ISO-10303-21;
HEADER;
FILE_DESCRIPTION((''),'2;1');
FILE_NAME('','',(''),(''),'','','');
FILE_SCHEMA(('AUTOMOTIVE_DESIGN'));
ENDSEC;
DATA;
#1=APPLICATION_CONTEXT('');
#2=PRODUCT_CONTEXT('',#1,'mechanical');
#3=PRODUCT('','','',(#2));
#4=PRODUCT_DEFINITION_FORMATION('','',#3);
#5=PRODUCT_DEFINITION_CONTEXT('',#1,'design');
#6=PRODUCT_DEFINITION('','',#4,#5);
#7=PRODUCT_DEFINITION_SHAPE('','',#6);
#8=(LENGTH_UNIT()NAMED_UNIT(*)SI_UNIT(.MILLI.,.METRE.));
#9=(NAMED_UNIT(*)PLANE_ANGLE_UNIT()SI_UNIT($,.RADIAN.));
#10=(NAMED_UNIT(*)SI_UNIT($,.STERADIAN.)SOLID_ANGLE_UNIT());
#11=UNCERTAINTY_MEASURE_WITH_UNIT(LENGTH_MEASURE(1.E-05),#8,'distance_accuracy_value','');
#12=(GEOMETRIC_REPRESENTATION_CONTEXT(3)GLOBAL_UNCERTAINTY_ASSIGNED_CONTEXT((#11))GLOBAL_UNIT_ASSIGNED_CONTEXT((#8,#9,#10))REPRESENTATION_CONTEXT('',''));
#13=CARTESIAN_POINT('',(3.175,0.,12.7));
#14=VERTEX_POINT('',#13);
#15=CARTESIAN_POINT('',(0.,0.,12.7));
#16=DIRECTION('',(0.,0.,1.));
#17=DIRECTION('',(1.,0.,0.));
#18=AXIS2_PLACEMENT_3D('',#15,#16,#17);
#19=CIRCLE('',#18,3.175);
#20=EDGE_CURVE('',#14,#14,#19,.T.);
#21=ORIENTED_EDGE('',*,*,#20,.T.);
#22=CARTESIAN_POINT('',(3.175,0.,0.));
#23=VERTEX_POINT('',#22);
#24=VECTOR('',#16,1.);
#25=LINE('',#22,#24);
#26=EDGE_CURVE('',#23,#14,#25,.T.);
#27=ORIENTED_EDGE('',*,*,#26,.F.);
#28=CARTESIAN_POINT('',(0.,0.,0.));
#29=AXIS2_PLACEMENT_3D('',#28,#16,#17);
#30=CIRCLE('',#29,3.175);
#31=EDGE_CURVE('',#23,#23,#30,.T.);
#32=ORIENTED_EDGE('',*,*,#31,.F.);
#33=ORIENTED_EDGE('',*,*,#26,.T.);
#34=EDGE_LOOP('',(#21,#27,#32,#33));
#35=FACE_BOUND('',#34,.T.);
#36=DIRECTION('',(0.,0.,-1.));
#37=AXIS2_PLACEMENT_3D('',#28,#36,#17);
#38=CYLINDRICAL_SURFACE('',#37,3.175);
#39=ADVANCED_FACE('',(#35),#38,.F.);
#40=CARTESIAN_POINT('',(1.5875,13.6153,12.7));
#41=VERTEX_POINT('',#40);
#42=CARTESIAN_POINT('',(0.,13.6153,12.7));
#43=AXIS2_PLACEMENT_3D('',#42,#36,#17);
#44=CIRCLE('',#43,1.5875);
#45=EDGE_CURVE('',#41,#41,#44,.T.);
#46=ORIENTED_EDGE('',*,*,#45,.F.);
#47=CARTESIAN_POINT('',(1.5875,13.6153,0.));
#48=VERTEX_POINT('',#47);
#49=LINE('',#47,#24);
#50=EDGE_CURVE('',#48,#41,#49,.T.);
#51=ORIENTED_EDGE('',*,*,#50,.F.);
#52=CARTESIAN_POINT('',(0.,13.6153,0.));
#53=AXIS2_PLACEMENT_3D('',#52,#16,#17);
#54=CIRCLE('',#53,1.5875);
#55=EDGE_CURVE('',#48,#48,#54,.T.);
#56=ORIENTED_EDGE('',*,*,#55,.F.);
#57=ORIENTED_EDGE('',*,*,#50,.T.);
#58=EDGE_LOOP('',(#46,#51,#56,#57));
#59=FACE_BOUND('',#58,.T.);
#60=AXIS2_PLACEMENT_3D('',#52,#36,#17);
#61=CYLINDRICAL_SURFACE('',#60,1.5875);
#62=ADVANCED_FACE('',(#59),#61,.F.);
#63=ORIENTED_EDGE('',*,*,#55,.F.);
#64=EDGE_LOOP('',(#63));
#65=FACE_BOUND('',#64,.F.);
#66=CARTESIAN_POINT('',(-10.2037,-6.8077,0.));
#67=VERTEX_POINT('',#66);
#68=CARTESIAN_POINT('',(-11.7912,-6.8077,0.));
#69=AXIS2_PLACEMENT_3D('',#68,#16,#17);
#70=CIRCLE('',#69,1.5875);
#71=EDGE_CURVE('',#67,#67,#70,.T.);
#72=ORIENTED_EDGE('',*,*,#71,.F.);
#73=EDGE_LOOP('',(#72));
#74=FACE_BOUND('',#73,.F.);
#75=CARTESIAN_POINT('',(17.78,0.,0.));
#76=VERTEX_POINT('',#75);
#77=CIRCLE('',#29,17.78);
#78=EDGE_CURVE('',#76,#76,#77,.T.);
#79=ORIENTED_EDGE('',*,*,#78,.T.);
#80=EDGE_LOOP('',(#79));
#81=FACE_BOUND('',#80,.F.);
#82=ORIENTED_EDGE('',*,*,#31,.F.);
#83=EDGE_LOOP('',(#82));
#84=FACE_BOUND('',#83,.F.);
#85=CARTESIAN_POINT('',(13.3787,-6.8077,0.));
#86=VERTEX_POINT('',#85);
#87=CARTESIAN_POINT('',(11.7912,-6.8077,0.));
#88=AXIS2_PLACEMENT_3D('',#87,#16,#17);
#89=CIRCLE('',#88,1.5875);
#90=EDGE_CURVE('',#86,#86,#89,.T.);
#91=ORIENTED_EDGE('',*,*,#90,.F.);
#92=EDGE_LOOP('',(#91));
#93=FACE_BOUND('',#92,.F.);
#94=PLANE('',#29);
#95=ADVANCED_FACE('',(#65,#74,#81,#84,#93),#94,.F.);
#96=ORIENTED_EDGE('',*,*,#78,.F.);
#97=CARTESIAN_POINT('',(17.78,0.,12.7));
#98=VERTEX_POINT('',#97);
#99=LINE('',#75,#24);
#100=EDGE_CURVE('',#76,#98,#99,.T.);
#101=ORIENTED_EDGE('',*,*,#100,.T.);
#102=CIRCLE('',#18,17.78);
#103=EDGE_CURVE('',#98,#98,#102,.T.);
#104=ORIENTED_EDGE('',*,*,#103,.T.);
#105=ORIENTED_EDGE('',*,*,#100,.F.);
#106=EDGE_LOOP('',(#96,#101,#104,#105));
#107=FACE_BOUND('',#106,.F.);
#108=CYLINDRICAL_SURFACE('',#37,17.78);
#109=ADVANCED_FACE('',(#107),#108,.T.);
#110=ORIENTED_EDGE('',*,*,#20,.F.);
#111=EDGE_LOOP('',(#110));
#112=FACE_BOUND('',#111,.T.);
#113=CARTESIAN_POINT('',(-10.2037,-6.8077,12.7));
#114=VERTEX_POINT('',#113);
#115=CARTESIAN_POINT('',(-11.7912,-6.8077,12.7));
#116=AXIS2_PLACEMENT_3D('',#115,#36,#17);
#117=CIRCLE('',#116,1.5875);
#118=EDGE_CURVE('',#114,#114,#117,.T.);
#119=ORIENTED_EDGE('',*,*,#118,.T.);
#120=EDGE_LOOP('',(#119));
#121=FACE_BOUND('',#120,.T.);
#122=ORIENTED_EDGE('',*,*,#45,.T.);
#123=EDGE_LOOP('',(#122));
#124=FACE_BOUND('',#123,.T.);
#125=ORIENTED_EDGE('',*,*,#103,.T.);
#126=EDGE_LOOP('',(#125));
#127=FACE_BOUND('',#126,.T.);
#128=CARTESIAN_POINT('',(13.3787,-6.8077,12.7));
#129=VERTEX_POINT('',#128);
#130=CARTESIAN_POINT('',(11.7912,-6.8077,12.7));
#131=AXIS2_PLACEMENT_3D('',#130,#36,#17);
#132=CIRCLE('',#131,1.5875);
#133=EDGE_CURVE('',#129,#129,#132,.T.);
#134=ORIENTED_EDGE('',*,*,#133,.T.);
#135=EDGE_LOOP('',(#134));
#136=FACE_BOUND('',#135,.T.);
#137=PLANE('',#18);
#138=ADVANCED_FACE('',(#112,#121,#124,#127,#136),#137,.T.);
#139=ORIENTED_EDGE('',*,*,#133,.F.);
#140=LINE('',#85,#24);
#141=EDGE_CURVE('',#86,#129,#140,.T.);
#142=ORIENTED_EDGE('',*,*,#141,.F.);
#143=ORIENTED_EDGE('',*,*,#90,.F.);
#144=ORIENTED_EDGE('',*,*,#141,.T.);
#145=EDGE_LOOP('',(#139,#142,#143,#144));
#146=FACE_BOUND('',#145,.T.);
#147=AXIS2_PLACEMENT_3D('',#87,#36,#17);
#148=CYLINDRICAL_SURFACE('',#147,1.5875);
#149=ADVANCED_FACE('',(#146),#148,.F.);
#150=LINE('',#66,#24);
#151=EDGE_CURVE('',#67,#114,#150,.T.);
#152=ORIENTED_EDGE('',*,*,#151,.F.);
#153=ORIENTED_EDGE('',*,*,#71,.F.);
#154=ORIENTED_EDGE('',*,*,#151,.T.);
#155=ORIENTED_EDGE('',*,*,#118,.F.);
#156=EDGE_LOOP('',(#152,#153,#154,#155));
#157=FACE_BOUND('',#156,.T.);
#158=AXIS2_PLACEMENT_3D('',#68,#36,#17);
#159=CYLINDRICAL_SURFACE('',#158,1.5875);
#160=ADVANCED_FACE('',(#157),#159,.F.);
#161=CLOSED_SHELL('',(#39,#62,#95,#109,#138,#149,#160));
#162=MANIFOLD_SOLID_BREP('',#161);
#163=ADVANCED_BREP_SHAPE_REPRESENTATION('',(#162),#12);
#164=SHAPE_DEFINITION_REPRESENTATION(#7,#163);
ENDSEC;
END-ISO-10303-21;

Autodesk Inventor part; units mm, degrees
ref_plane "YZ Plane" through (0, 0, 0) normal (1, 0, 0) x (0, 1, 0)
ref_plane "XZ Plane" through (0, 0, 0) normal (0, 1, 0) x (-1, 0, 0)
ref_plane "XY Plane" through (0, 0, 0) normal (0, 0, 1) x (1, 0, 0)
sketch "Sketch1" plane through (0, 0, 0) normal (0, 0, 1) x (1, 0, 0)
  circle A0 centre (0, 0) radius 17.78
  circle A1 centre (0, 0) radius 3.175
  circle A2 centre (0, 0) radius 13.6153
  circle A3 centre (0, 13.6153) radius 1.5875
  circle A4 centre (-11.7912, -6.8077) radius 1.5875
  circle A5 centre (11.7912, -6.8077) radius 1.5875
  dimension "d2" = 27.2307
  dimension "d0" = 35.56
  dimension "d1" = 6.35
  dimension "d3" = 3.175
  dimension "d6" = 360
extrude "Extrusion1" add sketch "Sketch1" along normal blind 12.7 contours A0 | A2 A5 A4 A3
sketch "Sketch2" plane through (0, 0, 12.7) normal (0, 0, 1) x (1, 0, 0)
  point P0 (0, 0)
sketch "Sketch3" plane through (0, 0, 12.7) normal (0, 0, 1) x (1, 0, 0)
  circle A0 centre (0, 13.6153) radius 1.5875 projected
  circle A1 centre (0, 13.6153) radius 3.2766
  circle A2 centre (11.7912, -6.8077) radius 1.5875 projected
  circle A3 centre (11.7912, -6.8077) radius 3.2766
  circle A4 centre (-11.7912, -6.8077) radius 1.5875 projected
  circle A5 centre (-11.7912, -6.8077) radius 3.2766
  point P0 (0, 0)
  dimension "d10" = 6.5532
  dimension "d11" = 6.5532
  dimension "d12" = 6.5532
sketch "Sketch4" plane through (0, 0, 12.7) normal (0, 0, 1) x (1, 0, 0)
  circle A0 centre (0, 0) radius 17.78 projected
  line L0 (-17.78, 0) -> (17.78, 0)
sketch "Sketch5" plane through (0, 0, 12.7) normal (0, 0, 1) x (1, 0, 0)
  circle A0 centre (0, 13.6153) radius 1.5875 projected
  line L0 (0, 13.6153) -> (0, 0)
sketch "Sketch6" plane through (0, 0, 0) normal (0, 1, 0) x (-1, 0, 0)
  point P0 (0, 0)
sketch "Sketch7" plane through (0, 0, 12.7) normal (0, 0, 1) x (1, 0, 0)
  point P0 (0, 0)
properties part number "Burner Table IS v01"
